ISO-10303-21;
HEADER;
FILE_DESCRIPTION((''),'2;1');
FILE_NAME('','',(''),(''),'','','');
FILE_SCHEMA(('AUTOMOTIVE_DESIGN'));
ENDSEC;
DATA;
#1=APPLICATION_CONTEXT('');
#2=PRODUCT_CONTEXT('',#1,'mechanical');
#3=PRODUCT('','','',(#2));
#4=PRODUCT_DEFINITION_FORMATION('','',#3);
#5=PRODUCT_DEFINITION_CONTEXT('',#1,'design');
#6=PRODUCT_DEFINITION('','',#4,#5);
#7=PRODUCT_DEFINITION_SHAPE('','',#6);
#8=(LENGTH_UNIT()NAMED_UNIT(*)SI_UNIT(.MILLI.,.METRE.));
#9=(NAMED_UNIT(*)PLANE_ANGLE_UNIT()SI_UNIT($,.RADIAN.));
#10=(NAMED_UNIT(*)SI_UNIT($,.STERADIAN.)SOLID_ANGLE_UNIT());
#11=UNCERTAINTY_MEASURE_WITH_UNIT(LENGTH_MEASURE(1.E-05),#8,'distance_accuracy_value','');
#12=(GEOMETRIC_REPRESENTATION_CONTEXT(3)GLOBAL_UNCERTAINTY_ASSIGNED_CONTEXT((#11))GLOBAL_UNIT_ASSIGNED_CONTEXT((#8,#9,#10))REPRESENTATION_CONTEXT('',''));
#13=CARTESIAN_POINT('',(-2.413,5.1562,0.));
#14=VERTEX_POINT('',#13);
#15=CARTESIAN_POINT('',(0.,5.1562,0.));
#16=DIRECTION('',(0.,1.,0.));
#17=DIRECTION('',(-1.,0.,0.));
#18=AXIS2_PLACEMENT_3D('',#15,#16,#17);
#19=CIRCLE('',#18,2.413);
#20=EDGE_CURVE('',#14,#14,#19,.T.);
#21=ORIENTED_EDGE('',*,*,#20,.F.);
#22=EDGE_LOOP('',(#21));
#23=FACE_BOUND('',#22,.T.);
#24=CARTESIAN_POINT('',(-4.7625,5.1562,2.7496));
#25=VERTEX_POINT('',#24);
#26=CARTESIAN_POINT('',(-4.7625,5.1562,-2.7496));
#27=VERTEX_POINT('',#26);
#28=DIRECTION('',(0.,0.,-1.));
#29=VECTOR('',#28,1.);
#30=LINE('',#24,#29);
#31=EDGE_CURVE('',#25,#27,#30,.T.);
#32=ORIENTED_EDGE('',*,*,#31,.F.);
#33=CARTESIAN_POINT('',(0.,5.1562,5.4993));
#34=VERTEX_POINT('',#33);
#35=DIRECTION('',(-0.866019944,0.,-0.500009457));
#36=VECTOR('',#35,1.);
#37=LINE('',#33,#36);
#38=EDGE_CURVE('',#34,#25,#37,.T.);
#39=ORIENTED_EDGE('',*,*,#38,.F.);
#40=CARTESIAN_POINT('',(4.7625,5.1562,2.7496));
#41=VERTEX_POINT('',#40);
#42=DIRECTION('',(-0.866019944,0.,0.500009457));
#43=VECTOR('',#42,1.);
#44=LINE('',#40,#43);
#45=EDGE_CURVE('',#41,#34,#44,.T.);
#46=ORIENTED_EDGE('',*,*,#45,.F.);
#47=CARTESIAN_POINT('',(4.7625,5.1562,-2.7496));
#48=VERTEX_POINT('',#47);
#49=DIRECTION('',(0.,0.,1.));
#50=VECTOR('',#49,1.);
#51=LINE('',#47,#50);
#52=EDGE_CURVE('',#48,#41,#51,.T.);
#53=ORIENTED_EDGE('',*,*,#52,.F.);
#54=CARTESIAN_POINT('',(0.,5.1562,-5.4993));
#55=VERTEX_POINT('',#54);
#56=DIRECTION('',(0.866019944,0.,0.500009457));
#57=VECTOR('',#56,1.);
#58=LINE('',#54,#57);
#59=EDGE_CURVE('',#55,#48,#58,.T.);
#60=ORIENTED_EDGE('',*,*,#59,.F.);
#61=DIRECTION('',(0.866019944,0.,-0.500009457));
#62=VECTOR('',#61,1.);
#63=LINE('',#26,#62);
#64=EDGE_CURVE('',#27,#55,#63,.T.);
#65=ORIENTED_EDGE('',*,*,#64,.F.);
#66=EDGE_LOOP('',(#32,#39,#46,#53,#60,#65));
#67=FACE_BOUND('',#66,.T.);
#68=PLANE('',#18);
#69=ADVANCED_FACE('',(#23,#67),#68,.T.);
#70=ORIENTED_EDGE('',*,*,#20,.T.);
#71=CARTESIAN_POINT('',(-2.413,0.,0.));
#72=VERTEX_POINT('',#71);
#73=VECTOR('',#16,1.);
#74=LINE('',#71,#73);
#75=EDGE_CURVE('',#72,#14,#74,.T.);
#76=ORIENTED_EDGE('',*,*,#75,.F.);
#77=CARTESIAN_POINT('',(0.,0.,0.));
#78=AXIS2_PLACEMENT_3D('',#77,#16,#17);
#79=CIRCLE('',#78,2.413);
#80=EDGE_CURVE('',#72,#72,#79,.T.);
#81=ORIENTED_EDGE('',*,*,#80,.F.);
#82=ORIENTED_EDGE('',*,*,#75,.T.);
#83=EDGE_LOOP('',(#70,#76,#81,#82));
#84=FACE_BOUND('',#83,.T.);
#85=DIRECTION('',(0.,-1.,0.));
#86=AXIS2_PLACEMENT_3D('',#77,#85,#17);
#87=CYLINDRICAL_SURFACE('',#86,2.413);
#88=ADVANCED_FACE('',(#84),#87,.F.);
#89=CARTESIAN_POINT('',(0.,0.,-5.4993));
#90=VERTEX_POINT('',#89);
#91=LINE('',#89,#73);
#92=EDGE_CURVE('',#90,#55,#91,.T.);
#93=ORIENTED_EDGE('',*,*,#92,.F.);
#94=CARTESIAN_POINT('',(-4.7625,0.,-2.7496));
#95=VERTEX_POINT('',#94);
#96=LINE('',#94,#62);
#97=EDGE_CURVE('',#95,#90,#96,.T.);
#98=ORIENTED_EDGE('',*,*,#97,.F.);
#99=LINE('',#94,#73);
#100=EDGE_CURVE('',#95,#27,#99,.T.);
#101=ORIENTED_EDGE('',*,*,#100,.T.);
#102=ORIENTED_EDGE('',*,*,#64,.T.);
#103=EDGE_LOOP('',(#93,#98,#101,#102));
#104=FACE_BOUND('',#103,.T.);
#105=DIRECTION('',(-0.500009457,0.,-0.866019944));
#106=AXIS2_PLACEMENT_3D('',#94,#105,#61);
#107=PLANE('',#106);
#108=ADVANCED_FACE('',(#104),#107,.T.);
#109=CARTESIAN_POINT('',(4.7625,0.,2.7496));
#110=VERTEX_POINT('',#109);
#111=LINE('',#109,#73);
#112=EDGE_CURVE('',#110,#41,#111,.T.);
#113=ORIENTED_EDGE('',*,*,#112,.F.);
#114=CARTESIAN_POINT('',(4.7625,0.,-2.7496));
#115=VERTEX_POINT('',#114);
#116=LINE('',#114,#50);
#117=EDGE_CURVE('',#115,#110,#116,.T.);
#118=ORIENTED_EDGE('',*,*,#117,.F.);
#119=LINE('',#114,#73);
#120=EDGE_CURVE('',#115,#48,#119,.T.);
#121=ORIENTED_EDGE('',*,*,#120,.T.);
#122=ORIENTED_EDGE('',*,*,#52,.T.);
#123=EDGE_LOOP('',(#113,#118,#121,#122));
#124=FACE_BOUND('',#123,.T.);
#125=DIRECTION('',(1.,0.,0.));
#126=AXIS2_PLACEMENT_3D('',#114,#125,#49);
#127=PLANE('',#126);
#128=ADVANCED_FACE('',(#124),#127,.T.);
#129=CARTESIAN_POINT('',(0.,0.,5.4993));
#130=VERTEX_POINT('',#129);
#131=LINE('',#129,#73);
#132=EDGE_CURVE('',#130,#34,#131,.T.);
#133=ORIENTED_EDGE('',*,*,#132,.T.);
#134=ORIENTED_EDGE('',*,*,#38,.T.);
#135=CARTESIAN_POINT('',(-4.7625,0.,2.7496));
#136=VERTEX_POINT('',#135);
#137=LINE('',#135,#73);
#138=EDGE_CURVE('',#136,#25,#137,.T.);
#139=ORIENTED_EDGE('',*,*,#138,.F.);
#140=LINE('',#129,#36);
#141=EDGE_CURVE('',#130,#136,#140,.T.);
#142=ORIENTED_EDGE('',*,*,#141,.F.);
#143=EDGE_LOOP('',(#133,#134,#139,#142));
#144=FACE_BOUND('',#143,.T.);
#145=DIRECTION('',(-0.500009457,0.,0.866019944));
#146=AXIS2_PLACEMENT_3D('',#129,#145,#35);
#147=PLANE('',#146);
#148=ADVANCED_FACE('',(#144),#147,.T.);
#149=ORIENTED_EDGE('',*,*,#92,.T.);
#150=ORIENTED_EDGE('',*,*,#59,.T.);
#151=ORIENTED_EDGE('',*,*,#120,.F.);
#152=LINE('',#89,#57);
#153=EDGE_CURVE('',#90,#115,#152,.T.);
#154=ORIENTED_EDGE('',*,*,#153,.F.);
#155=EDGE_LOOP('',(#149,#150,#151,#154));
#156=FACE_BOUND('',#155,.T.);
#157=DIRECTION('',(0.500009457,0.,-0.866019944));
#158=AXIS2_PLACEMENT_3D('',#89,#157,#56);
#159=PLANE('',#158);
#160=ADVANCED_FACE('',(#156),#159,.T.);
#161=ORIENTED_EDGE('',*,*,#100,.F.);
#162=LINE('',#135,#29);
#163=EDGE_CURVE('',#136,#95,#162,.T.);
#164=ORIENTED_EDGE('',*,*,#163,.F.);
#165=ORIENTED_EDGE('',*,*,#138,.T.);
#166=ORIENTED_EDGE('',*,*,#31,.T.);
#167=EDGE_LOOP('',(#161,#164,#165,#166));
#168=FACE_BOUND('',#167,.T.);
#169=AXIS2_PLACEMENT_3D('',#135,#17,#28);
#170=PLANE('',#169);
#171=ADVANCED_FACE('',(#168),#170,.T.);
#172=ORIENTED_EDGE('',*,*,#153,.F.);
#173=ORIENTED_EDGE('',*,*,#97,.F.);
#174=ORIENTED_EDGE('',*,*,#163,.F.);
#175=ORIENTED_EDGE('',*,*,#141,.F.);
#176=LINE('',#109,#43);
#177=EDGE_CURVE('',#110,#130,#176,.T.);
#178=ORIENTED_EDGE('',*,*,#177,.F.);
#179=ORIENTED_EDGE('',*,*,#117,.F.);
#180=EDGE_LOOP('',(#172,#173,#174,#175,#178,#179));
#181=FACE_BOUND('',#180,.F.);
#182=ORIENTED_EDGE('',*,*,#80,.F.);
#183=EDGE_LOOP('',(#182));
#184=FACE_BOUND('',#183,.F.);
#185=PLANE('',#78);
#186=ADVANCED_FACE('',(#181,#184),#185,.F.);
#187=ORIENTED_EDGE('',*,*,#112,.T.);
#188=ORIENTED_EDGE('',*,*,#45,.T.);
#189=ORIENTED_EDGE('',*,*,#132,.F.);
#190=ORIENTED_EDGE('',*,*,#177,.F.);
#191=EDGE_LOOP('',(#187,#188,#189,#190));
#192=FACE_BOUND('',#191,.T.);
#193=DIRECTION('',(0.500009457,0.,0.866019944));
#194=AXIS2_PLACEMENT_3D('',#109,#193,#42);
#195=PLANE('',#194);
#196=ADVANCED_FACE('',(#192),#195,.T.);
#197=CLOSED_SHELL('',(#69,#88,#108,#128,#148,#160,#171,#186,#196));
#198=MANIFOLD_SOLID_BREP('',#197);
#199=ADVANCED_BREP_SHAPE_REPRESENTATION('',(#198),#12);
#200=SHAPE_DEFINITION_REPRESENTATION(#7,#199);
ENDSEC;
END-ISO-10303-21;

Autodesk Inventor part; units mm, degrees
ref_plane "YZ Plane" through (0, 0, 0) normal (1, 0, 0) x (0, 1, 0)
ref_plane "XZ Plane" through (0, 0, 0) normal (0, 1, 0) x (-1, 0, 0)
ref_plane "XY Plane" through (0, 0, 0) normal (0, 0, 1) x (1, 0, 0)
sketch "Sketch1" plane through (0, 0, 0) normal (0, 1, 0) x (-1, 0, 0)
  circle A0 centre (0, 0) radius 2.413
  line L0 (4.7625, -2.7496) -> (0, -5.4993)
  line L1 (0, -5.4993) -> (-4.7625, -2.7496)
  line L2 (-4.7625, -2.7496) -> (-4.7625, 2.7496)
  line L3 (-4.7625, 2.7496) -> (0, 5.4993)
  line L4 (0, 5.4993) -> (4.7625, 2.7496)
  line L5 (4.7625, 2.7496) -> (4.7625, -2.7496)
  dimension "d0" = 4.826
  dimension "d1" = 9.525
extrude "Extrusion1" add sketch "Sketch1" along normal blind 5.1562
properties part number "10-32 nut"
